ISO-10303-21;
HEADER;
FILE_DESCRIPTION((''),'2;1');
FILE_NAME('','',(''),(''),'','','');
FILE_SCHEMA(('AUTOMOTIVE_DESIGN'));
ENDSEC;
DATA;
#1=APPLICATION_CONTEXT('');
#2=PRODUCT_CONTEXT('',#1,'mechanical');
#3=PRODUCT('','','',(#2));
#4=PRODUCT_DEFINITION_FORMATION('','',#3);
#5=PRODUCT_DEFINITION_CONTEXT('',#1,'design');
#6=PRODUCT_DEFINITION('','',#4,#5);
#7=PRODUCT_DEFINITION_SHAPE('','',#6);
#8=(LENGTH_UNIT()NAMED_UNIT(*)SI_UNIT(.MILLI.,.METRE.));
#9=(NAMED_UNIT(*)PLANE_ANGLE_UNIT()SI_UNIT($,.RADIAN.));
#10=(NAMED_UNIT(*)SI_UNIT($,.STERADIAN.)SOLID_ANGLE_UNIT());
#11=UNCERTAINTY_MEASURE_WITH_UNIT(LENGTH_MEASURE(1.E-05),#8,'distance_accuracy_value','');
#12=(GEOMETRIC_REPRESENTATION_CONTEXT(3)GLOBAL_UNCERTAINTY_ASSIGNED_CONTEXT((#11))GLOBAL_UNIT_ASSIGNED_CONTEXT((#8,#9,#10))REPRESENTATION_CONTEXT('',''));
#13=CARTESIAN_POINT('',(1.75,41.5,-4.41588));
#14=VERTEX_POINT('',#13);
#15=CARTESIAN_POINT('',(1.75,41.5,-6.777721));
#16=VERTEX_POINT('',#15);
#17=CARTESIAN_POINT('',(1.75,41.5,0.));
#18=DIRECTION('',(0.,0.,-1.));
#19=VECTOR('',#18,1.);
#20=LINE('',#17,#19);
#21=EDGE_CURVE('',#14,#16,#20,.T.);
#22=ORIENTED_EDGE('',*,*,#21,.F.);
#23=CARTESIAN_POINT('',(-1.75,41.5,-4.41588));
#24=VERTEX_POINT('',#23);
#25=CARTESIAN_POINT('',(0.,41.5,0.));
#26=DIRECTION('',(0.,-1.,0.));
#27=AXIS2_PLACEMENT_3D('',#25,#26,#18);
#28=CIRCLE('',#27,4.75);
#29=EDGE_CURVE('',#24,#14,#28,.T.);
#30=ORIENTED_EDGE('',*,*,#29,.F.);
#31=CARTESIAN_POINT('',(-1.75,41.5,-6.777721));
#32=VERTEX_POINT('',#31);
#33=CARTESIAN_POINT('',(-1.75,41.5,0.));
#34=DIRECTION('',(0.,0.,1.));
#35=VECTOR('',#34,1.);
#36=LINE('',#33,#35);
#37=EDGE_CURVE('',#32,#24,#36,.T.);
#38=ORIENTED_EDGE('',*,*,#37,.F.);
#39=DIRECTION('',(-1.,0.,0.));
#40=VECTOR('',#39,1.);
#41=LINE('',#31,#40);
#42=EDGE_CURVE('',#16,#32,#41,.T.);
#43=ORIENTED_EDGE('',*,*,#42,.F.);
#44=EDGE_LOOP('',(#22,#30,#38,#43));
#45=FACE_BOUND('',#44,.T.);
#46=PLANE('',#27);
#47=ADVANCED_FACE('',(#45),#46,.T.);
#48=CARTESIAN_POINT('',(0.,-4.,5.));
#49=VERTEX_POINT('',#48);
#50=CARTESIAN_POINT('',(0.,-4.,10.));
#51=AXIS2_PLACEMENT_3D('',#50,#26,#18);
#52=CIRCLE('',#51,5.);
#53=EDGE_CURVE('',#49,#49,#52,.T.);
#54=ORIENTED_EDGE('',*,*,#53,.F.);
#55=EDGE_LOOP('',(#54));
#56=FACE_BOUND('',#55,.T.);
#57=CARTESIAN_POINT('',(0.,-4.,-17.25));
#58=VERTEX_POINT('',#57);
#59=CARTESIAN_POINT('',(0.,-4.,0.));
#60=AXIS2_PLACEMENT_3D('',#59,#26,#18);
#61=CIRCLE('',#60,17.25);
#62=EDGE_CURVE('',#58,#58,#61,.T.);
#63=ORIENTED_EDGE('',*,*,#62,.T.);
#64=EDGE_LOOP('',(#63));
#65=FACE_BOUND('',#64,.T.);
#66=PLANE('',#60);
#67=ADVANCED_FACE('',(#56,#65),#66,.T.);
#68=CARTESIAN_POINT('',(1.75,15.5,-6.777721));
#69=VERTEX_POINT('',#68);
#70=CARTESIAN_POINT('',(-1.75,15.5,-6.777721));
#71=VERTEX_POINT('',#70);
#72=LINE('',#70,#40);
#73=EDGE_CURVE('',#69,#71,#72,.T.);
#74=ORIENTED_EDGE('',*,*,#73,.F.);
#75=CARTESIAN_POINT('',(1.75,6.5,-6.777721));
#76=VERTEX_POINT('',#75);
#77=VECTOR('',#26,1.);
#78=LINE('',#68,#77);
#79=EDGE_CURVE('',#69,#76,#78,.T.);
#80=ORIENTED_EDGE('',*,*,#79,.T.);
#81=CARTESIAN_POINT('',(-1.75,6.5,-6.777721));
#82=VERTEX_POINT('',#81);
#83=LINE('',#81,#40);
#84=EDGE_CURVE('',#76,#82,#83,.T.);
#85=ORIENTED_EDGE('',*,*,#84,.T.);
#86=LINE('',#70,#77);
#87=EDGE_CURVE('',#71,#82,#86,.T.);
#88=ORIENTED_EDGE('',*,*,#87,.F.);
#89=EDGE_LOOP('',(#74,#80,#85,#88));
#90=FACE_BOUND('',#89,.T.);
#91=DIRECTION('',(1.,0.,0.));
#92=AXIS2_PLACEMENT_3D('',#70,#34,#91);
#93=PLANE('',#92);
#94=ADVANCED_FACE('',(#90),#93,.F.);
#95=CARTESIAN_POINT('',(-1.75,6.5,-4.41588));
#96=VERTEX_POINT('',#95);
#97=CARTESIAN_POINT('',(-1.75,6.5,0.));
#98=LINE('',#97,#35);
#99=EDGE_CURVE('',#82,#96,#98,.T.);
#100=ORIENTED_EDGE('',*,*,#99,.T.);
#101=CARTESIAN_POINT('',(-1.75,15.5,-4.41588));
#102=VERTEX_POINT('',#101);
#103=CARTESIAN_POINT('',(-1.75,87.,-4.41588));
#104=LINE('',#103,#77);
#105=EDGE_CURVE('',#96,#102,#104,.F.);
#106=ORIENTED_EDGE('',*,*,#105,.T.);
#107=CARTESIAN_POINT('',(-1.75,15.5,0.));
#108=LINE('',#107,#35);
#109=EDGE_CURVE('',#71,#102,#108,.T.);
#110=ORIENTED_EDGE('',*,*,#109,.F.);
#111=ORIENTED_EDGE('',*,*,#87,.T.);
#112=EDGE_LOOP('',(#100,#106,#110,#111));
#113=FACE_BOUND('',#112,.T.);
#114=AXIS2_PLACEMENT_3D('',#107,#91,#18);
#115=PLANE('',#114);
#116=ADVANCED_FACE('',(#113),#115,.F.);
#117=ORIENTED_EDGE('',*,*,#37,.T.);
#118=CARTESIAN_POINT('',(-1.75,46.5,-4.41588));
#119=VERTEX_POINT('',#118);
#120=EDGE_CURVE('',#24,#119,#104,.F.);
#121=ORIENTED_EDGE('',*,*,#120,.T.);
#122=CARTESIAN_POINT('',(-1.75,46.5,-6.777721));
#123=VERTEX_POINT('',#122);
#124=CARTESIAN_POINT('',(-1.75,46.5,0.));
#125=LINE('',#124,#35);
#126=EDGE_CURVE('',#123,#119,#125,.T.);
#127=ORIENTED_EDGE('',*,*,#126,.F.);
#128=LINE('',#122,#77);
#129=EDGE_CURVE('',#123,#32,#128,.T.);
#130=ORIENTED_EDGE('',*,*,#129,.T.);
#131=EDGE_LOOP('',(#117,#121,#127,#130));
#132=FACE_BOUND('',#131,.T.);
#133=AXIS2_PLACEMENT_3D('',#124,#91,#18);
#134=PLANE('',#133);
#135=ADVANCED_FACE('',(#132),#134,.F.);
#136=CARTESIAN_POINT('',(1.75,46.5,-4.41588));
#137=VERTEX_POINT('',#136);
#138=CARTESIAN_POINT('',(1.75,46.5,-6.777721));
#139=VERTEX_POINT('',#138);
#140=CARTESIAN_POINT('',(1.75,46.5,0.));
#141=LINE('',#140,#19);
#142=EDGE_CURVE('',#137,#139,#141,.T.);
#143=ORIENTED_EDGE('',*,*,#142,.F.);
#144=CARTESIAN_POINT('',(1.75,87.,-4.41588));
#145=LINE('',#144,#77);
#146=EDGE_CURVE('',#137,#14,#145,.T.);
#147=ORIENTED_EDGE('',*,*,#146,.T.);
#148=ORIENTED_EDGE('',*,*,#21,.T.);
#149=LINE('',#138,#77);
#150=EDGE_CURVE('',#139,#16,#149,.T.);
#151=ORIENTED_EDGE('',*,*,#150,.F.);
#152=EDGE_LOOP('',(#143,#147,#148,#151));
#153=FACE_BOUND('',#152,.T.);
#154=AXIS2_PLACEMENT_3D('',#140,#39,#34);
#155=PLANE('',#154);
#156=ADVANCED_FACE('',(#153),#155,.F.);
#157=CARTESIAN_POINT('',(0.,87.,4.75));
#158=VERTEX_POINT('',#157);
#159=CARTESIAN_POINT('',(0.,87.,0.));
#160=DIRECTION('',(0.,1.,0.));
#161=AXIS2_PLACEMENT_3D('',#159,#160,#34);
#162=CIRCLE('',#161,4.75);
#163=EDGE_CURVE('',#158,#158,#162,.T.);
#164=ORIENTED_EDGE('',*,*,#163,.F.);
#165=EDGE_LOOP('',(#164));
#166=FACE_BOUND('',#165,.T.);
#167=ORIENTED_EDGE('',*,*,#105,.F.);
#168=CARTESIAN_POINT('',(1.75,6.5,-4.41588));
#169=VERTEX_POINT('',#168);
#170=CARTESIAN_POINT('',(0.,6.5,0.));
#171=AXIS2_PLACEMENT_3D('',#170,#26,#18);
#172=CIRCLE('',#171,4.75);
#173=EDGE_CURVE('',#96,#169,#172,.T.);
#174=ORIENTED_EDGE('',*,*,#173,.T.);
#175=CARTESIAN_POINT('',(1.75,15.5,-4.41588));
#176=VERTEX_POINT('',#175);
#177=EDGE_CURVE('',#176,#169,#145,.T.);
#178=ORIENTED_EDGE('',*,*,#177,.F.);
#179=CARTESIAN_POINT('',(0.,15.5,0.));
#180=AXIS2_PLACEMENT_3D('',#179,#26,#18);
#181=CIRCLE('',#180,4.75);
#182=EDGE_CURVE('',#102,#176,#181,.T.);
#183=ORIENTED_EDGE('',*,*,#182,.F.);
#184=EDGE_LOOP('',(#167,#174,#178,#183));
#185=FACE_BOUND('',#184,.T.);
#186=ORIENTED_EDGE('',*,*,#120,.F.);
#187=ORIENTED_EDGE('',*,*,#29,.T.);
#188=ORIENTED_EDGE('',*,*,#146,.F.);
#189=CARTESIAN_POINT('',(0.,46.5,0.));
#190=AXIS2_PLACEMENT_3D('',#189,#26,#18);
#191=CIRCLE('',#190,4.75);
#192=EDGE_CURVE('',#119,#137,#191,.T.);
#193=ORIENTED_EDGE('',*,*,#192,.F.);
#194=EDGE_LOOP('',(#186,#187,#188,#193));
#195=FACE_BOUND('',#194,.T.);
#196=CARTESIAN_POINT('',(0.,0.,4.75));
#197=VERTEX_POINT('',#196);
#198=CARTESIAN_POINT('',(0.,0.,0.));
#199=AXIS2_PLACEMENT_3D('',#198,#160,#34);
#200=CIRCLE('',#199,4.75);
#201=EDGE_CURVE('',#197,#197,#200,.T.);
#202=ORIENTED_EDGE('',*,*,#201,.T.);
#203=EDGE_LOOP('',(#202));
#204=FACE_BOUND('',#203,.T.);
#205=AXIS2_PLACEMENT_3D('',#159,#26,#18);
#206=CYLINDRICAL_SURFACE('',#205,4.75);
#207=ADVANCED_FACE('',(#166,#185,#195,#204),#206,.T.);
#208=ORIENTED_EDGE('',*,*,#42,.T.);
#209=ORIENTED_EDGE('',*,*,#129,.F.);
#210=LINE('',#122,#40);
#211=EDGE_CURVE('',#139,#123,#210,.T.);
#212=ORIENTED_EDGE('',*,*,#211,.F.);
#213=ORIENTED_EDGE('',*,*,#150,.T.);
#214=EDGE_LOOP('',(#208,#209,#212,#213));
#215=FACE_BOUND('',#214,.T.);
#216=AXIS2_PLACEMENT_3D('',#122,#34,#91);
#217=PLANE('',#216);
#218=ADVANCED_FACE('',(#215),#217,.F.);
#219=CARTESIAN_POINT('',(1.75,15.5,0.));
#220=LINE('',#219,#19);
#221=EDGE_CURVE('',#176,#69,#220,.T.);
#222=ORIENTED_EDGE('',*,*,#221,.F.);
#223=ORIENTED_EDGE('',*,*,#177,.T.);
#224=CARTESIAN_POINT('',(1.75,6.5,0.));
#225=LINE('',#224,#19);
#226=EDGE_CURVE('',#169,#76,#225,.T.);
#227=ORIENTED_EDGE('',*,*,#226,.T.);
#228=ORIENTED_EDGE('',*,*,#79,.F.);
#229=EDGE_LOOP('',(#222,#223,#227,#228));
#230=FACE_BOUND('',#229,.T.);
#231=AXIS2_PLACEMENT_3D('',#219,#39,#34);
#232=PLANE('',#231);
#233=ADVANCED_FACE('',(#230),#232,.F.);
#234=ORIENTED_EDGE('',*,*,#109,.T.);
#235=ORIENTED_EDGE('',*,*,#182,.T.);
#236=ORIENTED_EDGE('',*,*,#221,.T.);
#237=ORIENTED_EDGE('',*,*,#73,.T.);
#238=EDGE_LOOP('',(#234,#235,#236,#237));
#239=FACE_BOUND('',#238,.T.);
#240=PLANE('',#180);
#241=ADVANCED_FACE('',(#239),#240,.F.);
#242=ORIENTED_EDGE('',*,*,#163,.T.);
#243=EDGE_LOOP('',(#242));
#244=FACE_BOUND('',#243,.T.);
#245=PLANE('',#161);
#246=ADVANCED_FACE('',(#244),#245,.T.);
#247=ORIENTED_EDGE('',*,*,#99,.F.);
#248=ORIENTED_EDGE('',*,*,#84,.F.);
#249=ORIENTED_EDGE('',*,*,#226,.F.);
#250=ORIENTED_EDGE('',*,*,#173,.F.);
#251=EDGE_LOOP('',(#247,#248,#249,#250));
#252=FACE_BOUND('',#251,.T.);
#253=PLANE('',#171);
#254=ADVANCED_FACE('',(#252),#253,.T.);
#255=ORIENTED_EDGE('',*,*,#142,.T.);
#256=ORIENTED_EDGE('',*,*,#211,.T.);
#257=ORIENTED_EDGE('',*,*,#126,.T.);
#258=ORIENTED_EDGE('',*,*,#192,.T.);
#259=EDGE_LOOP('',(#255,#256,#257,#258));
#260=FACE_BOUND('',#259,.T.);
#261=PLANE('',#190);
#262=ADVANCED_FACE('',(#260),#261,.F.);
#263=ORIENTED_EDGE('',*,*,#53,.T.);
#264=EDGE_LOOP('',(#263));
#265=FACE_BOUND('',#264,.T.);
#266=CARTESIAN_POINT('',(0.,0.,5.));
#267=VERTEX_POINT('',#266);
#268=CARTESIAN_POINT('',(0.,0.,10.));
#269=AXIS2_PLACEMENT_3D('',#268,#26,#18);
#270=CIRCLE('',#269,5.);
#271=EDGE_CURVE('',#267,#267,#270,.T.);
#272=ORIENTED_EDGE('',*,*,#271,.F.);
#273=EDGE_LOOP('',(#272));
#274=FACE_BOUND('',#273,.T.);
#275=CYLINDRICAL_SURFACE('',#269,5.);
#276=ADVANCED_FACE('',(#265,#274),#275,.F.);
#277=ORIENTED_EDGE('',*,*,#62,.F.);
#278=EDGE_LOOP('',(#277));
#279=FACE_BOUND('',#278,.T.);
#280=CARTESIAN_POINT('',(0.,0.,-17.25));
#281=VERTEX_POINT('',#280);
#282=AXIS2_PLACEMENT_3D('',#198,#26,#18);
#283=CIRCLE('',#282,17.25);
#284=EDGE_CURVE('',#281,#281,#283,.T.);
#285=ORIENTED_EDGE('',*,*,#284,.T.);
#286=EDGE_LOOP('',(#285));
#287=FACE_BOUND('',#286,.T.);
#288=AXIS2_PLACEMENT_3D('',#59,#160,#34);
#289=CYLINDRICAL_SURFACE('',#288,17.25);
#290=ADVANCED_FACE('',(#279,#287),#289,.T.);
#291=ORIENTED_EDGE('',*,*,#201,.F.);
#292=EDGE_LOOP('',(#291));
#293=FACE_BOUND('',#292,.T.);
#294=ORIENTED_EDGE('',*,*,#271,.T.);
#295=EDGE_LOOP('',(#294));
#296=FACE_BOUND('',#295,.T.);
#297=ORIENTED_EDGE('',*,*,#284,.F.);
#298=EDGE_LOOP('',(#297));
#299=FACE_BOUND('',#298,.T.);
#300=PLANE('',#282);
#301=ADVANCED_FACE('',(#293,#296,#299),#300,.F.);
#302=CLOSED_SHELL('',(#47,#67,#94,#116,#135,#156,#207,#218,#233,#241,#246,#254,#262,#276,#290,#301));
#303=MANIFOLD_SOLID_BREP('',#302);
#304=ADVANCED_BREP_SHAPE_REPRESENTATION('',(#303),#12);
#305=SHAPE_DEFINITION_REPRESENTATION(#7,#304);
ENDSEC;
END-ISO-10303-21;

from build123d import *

# Parameters (mm, degrees)
SKETCH1_R           = 4.75
BOSS_EXTRUDE1_DEPTH = 87
SKETCH2_R           = 17.25
BOSS_EXTRUDE2_DEPTH = 4
SKETCH3_R           = 5
CUT_EXTRUDE1_DEPTH  = 4
BOSS_EXTRUDE3_START = 6.5
SKETCH4_W           = 3.5
SKETCH4_H           = 6.777720856
BOSS_EXTRUDE3_DEPTH = 9
BOSS_EXTRUDE4_START = 41.5
SKETCH5_W           = 3.5
SKETCH5_H           = 6.777720856
BOSS_EXTRUDE4_DEPTH = 5


with BuildPart() as part:
    # Sketch1 → Boss-Extrude1 (new body)
    with BuildSketch(Plane(origin=(0, 0, 0), x_dir=(1, 0, 0), z_dir=(0, 1, 0))):
        with Locations(Location((0, 0, 0), (0, 0, 270))):
            Circle(SKETCH1_R)
    extrude(amount=BOSS_EXTRUDE1_DEPTH)

    # Sketch2 → Boss-Extrude2 (add)
    with BuildSketch(Plane(origin=(0, 0, 0), x_dir=(-1, 0, 0), z_dir=(0, -1, 0))):
        with Locations(Location((0, 0, 0), (0, 0, 90))):
            Circle(SKETCH2_R)
    extrude(amount=BOSS_EXTRUDE2_DEPTH)

    # Sketch3 → Cut-Extrude1 (cut)
    with BuildSketch(Plane.XZ.offset(4)):
        with Locations(Location((0, 10, 0), (0, 0, 270))):
            Circle(SKETCH3_R)
    extrude(amount=-CUT_EXTRUDE1_DEPTH, mode=Mode.SUBTRACT)

    # Sketch4 → Boss-Extrude3 (add)
    with BuildSketch(Plane(origin=(0, 0, 0), x_dir=(1, 0, 0), z_dir=(0, 1, 0)).offset(BOSS_EXTRUDE3_START)):
        with Locations((0, 3.388860428)):
            Rectangle(SKETCH4_W, SKETCH4_H)
    extrude(amount=BOSS_EXTRUDE3_DEPTH)

    # Sketch5 → Boss-Extrude4 (add)
    with BuildSketch(Plane(origin=(0, 0, 0), x_dir=(1, 0, 0), z_dir=(0, 1, 0)).offset(BOSS_EXTRUDE4_START)):
        with Locations((0, 3.388860428)):
            Rectangle(SKETCH5_W, SKETCH5_H)
    extrude(amount=BOSS_EXTRUDE4_DEPTH)


solid = part.part
